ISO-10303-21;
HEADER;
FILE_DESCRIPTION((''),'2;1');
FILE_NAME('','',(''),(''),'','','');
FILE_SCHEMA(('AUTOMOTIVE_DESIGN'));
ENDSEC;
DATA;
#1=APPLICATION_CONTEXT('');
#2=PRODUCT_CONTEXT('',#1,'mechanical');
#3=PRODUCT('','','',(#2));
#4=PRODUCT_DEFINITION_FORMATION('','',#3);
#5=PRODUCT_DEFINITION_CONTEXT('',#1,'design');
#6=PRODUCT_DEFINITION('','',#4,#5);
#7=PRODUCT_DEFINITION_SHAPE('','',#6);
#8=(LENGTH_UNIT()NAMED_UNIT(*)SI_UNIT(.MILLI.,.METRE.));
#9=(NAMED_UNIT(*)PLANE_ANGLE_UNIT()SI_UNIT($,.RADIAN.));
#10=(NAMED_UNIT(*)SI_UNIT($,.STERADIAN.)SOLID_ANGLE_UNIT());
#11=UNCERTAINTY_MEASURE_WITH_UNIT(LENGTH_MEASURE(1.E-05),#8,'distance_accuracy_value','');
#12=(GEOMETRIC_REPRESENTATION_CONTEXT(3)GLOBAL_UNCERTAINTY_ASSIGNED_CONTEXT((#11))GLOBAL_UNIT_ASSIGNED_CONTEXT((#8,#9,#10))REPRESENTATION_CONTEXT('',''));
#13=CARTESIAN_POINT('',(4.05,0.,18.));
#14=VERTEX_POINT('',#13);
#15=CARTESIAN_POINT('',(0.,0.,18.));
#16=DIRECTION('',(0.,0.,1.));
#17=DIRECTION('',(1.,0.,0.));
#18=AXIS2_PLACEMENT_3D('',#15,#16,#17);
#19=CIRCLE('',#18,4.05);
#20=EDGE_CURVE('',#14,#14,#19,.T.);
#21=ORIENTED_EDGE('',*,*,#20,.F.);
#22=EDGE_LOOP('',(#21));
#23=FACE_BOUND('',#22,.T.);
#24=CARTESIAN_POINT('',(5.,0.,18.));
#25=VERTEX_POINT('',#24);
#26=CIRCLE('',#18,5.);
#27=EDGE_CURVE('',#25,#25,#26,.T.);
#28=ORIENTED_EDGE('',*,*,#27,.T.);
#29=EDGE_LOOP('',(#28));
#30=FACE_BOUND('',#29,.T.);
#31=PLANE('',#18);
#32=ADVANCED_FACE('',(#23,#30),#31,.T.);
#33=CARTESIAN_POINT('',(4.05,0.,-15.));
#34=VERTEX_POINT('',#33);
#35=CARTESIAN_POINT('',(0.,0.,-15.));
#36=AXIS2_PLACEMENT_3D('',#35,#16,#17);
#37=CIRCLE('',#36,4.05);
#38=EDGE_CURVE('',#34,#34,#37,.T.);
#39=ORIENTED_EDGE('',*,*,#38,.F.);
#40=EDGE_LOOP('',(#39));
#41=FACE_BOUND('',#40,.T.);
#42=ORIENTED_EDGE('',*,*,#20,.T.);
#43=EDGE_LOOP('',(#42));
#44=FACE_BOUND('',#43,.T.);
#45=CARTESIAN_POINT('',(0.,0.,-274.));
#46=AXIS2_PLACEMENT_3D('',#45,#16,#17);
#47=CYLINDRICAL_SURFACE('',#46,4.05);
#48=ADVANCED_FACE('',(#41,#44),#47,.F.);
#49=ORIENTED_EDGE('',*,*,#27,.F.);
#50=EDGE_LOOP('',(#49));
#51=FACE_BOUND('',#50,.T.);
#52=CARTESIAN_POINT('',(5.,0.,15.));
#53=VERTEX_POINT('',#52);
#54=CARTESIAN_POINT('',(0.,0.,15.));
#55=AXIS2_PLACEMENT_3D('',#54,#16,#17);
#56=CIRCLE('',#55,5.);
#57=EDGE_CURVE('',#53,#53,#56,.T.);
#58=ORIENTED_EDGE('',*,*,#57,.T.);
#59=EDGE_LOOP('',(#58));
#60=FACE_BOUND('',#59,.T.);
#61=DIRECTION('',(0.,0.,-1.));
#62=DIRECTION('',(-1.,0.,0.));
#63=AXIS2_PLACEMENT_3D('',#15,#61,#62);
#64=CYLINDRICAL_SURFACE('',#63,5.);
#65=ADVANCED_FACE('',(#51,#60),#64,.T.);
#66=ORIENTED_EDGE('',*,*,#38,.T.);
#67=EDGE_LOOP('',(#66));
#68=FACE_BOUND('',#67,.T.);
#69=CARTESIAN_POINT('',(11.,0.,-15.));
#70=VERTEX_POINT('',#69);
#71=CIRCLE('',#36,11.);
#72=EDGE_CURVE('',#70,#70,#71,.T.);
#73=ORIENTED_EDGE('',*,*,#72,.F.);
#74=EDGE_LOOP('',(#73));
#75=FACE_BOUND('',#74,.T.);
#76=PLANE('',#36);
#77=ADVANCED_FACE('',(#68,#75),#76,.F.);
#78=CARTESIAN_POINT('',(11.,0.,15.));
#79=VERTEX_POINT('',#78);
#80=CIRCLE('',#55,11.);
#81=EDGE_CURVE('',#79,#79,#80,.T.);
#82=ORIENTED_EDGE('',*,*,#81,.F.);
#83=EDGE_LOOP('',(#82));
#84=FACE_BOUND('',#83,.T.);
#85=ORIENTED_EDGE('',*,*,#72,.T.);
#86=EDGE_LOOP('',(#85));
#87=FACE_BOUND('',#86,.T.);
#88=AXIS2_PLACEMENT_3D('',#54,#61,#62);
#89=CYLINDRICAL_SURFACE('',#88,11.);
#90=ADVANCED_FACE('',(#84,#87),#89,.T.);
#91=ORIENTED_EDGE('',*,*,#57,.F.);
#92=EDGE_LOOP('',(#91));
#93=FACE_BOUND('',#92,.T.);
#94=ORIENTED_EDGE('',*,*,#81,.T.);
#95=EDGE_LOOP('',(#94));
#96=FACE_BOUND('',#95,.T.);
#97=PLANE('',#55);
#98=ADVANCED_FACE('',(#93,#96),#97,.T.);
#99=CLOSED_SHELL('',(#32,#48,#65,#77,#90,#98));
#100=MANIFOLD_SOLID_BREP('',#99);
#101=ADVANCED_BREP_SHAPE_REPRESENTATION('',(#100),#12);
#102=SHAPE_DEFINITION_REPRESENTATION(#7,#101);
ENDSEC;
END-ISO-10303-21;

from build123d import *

# Parameters (mm, degrees)
CROQUIS1_R              = 11
SALIENTE_EXTRUIR1_DEPTH = 15
CROQUIS3_R              = 5
SALIENTE_EXTRUIR2_DEPTH = 3
CROQUIS2_R              = 4.05
CORTAR_EXTRUIR1_DEPTH   = 289


with BuildPart() as part:
    # Croquis1 → Saliente-Extruir1 (new, symmetric)
    with BuildSketch(Plane.XY):
        Circle(CROQUIS1_R)
    extrude(amount=SALIENTE_EXTRUIR1_DEPTH, both=True)

    # Croquis3 → Saliente-Extruir2 (add)
    with BuildSketch(Plane.XY.offset(15)):
        Circle(CROQUIS3_R)
    extrude(amount=SALIENTE_EXTRUIR2_DEPTH)

    # Croquis2 → Cortar-Extruir1 (cut, symmetric)
    with BuildSketch(Plane.XY.offset(15)):
        Circle(CROQUIS2_R)
    extrude(amount=CORTAR_EXTRUIR1_DEPTH, both=True, mode=Mode.SUBTRACT)


solid = part.part
